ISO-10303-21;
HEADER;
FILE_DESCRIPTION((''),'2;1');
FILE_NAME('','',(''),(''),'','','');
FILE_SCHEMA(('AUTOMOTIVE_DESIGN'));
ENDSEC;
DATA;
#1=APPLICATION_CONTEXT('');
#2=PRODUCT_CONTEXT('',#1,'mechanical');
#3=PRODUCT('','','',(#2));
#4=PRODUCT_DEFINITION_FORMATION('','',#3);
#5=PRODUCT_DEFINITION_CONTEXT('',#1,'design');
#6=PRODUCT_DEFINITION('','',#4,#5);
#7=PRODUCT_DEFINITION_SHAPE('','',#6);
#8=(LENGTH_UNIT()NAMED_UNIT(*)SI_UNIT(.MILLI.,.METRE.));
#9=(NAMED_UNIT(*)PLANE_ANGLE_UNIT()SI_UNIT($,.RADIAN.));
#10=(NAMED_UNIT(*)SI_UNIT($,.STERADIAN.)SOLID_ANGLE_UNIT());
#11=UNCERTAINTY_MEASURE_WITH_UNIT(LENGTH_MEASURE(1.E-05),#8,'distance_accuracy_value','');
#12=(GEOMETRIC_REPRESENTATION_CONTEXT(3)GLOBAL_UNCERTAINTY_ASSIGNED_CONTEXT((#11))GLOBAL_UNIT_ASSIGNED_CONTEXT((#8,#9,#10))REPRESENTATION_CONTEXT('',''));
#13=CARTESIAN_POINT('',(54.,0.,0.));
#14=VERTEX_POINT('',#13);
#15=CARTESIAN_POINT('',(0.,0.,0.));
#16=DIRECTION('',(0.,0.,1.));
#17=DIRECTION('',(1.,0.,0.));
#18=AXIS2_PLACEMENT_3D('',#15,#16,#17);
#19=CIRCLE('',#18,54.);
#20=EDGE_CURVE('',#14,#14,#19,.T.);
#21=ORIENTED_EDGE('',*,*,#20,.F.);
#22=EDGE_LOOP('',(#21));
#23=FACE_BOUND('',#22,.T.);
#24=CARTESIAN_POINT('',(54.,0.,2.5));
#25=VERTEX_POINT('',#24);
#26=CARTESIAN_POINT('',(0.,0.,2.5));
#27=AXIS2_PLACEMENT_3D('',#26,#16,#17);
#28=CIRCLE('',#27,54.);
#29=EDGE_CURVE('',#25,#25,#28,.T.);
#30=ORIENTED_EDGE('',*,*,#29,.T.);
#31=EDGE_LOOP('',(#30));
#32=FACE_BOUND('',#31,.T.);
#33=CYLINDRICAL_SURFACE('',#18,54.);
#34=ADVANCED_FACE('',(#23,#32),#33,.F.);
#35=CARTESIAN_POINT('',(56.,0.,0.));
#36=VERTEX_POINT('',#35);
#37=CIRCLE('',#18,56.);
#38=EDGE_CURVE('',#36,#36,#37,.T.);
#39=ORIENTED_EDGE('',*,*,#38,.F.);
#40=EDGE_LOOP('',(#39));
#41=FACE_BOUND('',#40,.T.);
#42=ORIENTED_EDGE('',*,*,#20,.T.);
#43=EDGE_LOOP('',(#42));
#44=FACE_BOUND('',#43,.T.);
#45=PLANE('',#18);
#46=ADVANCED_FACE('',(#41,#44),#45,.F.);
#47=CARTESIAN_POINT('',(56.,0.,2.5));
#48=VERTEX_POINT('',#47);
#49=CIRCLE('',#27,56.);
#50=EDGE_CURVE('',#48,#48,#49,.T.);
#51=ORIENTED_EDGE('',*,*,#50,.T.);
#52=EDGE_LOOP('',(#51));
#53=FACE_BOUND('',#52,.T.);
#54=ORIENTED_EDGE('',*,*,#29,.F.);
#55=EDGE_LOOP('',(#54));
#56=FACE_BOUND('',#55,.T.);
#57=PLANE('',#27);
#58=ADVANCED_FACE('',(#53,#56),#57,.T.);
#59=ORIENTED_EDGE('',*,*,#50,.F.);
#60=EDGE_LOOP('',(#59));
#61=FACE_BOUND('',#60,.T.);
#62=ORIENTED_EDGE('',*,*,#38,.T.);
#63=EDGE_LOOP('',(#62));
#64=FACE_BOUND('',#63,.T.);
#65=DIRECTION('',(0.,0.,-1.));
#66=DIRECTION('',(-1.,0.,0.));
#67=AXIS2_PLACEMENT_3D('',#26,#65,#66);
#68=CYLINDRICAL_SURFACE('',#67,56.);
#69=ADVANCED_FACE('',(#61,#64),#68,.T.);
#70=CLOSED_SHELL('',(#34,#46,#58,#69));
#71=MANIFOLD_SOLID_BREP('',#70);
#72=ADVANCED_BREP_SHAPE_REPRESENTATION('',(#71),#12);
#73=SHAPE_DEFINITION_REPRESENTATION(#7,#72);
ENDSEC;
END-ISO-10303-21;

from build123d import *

# Parameters (mm, degrees)
SKETCH1_R           = 56
BOSS_EXTRUDE1_DEPTH = 2.5
SKETCH2_R           = 54
CUT_EXTRUDE1_DEPTH  = 2.5


with BuildPart() as part:
    # Sketch1 → Boss-Extrude1 (new body)
    with BuildSketch(Plane.XY):
        Circle(SKETCH1_R)
    extrude(amount=BOSS_EXTRUDE1_DEPTH)

    # Sketch2 → Cut-Extrude1 (cut)
    with BuildSketch(Plane.XY.offset(2.5)):
        Circle(SKETCH2_R)
    extrude(amount=-CUT_EXTRUDE1_DEPTH, mode=Mode.SUBTRACT)


solid = part.part
